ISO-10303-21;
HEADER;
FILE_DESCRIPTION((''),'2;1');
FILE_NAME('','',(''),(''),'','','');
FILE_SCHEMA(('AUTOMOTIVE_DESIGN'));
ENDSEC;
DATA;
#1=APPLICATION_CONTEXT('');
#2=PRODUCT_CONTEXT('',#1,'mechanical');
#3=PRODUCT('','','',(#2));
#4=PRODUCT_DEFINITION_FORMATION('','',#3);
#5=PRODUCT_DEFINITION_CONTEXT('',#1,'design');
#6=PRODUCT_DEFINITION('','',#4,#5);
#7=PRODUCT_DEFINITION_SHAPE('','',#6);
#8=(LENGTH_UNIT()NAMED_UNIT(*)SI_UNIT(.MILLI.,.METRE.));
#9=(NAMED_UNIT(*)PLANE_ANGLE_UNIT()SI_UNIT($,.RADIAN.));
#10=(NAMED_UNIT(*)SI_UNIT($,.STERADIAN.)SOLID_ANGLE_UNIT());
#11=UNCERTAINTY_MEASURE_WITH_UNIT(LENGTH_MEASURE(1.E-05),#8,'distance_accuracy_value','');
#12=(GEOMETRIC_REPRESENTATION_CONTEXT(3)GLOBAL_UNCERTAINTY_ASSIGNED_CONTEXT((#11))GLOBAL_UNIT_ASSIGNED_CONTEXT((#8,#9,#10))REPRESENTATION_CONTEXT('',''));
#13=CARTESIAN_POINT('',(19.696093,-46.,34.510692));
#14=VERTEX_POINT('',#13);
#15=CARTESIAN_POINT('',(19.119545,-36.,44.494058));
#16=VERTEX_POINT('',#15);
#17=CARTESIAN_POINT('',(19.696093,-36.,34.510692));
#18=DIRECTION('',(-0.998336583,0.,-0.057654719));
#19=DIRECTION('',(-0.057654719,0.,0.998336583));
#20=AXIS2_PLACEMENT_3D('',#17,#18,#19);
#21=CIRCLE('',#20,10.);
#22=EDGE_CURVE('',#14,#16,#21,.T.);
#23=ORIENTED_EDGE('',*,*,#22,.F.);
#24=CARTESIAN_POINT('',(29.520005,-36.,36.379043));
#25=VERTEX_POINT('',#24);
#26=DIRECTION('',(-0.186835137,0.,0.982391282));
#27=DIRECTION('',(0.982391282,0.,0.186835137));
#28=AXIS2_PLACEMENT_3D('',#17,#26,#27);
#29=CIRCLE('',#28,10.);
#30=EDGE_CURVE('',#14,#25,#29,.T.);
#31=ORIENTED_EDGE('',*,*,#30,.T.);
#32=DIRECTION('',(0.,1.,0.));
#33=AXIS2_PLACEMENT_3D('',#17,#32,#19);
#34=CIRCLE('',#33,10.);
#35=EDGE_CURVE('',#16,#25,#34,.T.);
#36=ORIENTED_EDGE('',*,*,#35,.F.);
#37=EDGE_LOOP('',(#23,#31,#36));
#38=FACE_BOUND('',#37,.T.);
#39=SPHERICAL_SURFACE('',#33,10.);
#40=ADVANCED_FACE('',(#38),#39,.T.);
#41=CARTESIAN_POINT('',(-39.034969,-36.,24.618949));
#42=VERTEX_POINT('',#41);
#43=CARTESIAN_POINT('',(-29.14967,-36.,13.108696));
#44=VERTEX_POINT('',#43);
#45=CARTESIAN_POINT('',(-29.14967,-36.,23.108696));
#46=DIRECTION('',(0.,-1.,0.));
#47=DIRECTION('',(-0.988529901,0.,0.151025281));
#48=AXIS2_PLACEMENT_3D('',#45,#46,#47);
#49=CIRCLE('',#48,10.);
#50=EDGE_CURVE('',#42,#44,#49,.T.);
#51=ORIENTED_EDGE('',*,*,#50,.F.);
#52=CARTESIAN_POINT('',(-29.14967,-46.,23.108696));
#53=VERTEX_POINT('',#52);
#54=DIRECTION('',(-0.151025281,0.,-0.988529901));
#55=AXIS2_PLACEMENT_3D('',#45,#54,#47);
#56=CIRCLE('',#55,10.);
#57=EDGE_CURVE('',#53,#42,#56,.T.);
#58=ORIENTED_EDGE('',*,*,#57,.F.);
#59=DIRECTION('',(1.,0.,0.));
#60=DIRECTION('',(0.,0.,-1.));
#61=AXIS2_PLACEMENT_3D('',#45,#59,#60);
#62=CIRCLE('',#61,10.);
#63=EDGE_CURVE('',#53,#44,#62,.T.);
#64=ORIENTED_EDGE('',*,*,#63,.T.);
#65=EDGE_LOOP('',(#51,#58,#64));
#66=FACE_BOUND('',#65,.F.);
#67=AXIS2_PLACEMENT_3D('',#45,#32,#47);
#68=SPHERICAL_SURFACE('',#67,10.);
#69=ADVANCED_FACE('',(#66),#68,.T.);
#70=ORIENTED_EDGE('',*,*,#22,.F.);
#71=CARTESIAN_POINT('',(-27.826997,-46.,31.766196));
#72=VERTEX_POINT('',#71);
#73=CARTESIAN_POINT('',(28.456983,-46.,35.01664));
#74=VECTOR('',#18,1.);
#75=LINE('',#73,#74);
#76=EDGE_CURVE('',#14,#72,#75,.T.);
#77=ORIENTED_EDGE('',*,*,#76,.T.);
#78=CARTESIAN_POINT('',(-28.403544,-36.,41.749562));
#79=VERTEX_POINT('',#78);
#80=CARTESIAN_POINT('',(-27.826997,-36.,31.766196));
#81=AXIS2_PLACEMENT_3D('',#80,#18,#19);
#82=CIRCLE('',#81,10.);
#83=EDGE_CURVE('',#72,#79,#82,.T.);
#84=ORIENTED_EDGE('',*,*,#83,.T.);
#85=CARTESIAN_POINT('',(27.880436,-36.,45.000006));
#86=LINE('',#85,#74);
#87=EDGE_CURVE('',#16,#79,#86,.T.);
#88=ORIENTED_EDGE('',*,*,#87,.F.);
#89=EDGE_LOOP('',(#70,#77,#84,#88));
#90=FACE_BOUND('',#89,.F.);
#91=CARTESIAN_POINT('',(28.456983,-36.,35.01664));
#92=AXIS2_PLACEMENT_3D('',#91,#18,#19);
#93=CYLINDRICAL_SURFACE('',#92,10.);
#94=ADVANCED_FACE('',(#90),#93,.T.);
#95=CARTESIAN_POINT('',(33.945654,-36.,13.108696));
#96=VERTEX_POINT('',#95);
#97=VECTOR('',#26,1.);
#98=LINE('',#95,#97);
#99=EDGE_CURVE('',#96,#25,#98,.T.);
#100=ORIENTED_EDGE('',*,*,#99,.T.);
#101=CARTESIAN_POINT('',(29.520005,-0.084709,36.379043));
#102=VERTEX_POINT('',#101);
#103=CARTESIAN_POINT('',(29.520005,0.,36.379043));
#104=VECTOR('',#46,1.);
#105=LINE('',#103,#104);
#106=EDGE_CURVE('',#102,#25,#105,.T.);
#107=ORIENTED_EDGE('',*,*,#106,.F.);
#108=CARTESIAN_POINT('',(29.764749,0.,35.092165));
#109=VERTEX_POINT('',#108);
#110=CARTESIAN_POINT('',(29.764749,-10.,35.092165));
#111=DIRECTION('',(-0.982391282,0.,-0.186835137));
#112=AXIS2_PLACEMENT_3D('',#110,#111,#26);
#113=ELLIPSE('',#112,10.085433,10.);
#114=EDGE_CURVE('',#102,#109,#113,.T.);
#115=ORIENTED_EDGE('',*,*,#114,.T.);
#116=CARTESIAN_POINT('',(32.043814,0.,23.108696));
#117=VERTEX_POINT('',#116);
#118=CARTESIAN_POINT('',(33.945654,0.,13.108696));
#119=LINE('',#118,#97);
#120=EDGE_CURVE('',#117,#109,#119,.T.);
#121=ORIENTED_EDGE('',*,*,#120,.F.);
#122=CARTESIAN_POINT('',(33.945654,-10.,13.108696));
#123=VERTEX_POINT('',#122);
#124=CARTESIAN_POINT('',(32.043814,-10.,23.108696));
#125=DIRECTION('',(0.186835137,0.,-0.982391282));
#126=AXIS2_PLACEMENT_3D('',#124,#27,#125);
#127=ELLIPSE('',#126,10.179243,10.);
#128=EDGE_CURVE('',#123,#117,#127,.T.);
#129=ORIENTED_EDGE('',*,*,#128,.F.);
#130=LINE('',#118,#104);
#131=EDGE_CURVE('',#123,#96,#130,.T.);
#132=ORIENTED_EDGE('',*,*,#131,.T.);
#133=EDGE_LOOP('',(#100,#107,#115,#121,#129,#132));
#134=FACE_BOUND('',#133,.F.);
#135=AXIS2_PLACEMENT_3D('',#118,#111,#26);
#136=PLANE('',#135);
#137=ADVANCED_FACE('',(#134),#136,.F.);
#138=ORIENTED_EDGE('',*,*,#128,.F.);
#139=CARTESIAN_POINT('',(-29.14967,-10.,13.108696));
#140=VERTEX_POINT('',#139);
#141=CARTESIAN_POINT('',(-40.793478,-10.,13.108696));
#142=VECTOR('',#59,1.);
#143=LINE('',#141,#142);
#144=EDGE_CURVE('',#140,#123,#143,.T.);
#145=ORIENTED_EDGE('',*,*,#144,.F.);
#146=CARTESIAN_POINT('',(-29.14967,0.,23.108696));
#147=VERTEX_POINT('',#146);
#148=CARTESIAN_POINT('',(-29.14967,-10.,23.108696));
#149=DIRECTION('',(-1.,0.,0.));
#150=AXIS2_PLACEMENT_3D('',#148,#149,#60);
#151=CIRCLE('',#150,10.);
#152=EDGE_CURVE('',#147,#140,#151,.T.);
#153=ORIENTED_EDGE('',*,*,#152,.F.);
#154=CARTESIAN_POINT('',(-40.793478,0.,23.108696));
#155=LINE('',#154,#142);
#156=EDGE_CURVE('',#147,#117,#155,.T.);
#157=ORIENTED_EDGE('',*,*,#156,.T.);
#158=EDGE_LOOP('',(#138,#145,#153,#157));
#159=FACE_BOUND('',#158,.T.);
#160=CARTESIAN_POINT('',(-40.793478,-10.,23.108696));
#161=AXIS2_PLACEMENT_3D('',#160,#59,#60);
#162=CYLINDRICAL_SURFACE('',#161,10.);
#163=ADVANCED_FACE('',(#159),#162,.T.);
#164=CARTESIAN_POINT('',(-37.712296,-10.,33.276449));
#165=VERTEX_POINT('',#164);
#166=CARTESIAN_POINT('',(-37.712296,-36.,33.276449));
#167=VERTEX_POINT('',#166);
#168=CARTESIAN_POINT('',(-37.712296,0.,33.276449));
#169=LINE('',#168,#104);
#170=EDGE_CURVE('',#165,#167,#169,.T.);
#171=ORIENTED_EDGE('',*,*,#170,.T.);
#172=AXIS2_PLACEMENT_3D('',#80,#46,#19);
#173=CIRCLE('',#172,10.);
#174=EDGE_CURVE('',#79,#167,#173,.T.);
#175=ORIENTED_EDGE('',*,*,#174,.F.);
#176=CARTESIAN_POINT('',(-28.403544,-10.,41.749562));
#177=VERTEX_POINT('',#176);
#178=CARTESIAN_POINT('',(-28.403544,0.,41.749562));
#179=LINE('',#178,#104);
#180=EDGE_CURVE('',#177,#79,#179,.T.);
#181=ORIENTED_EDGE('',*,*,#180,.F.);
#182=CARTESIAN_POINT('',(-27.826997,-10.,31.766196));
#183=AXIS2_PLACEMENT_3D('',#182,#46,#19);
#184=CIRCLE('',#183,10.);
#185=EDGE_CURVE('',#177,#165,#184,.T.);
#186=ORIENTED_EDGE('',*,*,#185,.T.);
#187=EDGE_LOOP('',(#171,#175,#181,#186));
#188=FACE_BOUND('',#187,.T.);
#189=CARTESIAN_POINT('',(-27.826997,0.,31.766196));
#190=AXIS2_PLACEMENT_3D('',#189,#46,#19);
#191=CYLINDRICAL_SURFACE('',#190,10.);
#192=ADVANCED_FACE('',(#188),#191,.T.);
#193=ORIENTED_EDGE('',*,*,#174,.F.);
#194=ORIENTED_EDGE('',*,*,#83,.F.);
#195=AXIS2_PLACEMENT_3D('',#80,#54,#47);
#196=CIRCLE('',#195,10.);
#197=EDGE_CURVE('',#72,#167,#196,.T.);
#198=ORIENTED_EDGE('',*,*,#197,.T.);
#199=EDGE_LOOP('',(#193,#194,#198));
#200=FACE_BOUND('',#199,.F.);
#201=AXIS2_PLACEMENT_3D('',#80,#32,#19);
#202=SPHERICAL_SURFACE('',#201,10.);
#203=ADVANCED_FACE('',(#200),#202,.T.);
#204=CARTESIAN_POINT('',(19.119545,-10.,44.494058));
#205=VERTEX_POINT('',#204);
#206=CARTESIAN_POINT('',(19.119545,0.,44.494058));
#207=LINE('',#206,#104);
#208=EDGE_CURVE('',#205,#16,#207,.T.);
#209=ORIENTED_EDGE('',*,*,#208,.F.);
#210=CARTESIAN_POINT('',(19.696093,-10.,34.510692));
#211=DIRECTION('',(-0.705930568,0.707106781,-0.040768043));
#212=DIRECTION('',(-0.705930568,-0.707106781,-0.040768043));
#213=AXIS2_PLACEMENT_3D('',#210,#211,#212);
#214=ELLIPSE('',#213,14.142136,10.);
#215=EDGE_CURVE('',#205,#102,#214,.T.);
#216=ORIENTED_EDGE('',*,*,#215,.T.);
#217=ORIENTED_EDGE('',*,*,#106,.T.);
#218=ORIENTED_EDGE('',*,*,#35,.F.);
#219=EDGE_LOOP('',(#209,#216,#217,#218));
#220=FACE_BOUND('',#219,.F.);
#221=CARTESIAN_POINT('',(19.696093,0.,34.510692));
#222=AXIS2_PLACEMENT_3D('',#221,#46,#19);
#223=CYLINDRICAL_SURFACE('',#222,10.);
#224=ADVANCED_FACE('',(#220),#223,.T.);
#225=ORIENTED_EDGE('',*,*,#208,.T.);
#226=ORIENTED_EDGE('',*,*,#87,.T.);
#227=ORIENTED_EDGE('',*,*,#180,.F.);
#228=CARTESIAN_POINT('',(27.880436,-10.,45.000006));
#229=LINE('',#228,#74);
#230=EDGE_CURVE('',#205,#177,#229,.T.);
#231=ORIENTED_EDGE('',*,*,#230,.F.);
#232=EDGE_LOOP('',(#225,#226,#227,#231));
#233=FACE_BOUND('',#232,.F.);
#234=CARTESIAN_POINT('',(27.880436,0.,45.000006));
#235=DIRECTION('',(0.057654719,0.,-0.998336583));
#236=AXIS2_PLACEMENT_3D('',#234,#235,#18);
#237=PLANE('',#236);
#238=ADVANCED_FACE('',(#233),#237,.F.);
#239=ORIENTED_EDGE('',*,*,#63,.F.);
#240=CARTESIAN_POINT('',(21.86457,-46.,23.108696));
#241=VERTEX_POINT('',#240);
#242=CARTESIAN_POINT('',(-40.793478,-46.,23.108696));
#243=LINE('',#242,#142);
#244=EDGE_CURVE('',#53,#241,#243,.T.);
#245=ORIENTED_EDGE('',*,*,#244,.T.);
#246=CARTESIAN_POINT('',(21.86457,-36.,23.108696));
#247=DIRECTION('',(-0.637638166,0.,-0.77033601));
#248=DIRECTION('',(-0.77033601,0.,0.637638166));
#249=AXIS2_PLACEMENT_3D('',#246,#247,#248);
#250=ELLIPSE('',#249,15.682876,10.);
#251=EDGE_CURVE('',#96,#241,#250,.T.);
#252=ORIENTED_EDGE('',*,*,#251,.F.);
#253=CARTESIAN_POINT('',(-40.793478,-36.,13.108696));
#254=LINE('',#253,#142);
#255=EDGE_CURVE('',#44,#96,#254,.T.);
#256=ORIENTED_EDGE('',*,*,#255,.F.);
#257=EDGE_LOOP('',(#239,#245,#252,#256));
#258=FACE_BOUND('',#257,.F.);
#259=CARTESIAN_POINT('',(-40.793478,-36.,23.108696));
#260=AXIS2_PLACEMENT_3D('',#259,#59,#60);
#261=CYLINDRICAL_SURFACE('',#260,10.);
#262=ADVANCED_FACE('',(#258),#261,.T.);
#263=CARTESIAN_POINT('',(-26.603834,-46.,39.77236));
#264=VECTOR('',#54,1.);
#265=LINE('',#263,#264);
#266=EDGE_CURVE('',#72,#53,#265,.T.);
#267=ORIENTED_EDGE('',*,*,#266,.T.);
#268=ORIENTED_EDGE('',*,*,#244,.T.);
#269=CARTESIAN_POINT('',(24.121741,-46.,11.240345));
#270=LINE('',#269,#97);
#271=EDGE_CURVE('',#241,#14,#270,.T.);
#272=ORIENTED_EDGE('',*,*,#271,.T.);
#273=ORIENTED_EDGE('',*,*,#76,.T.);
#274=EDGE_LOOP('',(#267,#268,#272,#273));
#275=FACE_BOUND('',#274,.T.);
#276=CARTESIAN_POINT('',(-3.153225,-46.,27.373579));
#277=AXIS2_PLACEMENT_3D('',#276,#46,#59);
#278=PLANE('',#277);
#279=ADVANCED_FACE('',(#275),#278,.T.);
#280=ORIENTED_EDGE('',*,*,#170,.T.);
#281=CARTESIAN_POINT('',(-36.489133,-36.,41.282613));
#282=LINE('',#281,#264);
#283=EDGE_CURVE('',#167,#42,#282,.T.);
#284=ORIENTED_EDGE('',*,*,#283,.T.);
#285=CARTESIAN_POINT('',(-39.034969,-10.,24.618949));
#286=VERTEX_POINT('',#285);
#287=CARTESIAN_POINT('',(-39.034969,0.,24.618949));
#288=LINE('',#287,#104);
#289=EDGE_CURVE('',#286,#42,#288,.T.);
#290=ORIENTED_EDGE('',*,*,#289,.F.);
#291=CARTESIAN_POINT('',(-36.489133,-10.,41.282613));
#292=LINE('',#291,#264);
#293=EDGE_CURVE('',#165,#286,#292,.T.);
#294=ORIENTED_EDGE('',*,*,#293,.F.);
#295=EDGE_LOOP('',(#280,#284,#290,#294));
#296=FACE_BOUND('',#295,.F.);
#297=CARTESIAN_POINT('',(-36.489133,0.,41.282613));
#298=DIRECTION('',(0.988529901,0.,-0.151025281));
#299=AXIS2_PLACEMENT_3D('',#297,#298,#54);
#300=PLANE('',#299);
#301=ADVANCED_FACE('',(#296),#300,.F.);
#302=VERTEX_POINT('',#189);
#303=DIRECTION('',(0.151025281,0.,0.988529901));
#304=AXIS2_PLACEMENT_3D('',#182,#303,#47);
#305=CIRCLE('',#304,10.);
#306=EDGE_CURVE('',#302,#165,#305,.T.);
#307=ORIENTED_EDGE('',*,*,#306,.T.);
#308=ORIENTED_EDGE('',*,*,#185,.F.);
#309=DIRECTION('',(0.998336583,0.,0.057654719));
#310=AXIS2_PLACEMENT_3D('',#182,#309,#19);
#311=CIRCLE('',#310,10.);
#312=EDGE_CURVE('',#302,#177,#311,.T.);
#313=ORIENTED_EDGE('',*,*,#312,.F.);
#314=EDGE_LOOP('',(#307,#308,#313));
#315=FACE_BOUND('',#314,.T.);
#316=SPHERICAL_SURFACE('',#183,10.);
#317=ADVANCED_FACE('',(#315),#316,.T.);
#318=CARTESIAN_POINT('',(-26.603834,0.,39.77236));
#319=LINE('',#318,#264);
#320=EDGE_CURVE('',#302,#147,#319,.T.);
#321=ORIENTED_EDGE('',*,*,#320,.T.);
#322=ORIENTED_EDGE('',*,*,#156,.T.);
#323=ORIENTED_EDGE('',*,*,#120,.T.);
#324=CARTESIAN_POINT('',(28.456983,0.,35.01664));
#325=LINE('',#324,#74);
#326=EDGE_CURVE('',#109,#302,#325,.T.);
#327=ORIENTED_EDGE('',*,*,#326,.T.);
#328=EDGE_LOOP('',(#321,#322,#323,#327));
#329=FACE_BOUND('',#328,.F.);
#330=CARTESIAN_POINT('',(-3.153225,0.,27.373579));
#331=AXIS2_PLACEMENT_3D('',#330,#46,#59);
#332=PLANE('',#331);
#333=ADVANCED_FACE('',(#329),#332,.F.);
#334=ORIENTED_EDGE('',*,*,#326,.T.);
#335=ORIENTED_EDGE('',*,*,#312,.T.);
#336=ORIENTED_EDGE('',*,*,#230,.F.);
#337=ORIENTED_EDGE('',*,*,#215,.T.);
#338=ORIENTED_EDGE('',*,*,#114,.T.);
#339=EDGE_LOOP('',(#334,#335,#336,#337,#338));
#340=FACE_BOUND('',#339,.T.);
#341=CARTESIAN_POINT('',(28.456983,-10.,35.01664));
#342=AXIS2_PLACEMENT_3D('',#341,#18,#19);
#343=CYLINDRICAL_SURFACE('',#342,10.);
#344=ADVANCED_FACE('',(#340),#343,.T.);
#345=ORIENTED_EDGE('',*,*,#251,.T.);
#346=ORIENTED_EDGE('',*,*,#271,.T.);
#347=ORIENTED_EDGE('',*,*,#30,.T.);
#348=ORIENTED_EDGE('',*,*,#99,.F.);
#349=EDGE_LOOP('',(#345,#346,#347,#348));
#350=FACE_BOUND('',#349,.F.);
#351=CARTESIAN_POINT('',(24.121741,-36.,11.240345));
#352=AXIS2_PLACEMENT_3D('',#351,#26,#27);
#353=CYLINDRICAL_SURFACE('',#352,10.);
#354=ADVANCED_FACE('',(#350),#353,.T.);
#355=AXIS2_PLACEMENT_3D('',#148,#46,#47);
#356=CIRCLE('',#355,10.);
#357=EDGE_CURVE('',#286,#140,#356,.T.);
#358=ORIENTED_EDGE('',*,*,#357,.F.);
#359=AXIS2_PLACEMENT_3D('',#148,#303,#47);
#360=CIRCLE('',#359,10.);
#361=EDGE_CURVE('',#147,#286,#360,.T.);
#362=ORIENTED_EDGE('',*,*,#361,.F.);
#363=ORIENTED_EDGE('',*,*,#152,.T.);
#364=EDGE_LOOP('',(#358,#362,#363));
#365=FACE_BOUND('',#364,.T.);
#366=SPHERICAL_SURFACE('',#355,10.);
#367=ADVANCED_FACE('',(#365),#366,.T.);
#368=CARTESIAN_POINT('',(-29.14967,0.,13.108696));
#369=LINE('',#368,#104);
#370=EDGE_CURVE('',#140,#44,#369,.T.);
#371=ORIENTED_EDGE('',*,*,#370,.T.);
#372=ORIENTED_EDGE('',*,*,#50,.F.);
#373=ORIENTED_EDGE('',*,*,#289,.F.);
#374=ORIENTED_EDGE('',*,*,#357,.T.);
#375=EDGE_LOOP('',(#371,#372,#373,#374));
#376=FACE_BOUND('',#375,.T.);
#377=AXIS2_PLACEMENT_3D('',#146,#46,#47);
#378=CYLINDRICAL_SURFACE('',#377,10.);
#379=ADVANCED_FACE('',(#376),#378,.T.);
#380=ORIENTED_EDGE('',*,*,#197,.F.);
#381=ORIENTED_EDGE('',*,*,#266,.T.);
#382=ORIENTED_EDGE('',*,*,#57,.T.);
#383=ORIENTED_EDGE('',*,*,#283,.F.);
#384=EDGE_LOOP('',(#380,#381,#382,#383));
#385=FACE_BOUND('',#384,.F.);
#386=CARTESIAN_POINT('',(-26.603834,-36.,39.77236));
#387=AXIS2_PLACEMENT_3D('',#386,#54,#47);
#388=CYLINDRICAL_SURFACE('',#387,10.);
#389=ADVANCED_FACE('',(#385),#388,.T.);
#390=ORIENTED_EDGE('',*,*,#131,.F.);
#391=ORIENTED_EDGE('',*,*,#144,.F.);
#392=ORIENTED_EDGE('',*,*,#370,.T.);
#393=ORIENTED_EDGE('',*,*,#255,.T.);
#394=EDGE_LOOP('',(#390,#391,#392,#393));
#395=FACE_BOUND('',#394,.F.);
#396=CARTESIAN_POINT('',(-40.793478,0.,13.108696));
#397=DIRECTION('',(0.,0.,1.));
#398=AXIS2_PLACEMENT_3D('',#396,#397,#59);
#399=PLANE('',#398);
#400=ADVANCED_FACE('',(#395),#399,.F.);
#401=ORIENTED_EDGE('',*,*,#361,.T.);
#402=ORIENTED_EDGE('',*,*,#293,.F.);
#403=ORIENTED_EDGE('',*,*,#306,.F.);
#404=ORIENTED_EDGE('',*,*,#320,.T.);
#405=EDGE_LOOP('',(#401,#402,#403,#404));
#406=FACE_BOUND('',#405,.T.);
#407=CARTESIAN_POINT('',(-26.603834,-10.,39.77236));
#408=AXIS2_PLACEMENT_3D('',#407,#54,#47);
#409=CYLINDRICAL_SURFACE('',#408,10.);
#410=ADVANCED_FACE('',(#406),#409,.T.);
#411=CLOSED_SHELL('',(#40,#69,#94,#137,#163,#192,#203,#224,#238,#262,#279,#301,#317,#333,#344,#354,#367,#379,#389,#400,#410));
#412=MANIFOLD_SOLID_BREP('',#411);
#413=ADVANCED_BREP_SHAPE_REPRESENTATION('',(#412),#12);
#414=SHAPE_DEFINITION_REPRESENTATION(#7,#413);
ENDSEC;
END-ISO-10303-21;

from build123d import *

# Parameters (mm, degrees)
F1_DEPTH = 46
F2_R     = 10


with BuildPart() as f1:
    # F0 (on Front) → F1 (new body)
    with BuildSketch(Plane.XZ):
        Polygon((27.880436, 45.000006), (-36.489133, 41.282613), (-40.793478, 13.108696), (33.945654, 13.108696), align=None)
    extrude(amount=F1_DEPTH)

    # F2
    f2_edges = [f1.edges().sort_by_distance(p)[0] for p in [
        (27.880436, -23, 45.000006),
        (-36.489133, -23, 41.282613),
        (-4.304348, 0, 43.141309),
        (-4.304348, -46, 43.141309),
        (-3.423912, 0, 13.108696),
        (-40.793478, -23, 13.108696),
        (-38.641306, 0, 27.195654),
        (30.913045, -46, 29.054351),
        (-38.641306, -46, 27.195654),
        (-3.423912, -46, 13.108696),
    ]]
    fillet(f2_edges, radius=F2_R)


solid = f1.part
